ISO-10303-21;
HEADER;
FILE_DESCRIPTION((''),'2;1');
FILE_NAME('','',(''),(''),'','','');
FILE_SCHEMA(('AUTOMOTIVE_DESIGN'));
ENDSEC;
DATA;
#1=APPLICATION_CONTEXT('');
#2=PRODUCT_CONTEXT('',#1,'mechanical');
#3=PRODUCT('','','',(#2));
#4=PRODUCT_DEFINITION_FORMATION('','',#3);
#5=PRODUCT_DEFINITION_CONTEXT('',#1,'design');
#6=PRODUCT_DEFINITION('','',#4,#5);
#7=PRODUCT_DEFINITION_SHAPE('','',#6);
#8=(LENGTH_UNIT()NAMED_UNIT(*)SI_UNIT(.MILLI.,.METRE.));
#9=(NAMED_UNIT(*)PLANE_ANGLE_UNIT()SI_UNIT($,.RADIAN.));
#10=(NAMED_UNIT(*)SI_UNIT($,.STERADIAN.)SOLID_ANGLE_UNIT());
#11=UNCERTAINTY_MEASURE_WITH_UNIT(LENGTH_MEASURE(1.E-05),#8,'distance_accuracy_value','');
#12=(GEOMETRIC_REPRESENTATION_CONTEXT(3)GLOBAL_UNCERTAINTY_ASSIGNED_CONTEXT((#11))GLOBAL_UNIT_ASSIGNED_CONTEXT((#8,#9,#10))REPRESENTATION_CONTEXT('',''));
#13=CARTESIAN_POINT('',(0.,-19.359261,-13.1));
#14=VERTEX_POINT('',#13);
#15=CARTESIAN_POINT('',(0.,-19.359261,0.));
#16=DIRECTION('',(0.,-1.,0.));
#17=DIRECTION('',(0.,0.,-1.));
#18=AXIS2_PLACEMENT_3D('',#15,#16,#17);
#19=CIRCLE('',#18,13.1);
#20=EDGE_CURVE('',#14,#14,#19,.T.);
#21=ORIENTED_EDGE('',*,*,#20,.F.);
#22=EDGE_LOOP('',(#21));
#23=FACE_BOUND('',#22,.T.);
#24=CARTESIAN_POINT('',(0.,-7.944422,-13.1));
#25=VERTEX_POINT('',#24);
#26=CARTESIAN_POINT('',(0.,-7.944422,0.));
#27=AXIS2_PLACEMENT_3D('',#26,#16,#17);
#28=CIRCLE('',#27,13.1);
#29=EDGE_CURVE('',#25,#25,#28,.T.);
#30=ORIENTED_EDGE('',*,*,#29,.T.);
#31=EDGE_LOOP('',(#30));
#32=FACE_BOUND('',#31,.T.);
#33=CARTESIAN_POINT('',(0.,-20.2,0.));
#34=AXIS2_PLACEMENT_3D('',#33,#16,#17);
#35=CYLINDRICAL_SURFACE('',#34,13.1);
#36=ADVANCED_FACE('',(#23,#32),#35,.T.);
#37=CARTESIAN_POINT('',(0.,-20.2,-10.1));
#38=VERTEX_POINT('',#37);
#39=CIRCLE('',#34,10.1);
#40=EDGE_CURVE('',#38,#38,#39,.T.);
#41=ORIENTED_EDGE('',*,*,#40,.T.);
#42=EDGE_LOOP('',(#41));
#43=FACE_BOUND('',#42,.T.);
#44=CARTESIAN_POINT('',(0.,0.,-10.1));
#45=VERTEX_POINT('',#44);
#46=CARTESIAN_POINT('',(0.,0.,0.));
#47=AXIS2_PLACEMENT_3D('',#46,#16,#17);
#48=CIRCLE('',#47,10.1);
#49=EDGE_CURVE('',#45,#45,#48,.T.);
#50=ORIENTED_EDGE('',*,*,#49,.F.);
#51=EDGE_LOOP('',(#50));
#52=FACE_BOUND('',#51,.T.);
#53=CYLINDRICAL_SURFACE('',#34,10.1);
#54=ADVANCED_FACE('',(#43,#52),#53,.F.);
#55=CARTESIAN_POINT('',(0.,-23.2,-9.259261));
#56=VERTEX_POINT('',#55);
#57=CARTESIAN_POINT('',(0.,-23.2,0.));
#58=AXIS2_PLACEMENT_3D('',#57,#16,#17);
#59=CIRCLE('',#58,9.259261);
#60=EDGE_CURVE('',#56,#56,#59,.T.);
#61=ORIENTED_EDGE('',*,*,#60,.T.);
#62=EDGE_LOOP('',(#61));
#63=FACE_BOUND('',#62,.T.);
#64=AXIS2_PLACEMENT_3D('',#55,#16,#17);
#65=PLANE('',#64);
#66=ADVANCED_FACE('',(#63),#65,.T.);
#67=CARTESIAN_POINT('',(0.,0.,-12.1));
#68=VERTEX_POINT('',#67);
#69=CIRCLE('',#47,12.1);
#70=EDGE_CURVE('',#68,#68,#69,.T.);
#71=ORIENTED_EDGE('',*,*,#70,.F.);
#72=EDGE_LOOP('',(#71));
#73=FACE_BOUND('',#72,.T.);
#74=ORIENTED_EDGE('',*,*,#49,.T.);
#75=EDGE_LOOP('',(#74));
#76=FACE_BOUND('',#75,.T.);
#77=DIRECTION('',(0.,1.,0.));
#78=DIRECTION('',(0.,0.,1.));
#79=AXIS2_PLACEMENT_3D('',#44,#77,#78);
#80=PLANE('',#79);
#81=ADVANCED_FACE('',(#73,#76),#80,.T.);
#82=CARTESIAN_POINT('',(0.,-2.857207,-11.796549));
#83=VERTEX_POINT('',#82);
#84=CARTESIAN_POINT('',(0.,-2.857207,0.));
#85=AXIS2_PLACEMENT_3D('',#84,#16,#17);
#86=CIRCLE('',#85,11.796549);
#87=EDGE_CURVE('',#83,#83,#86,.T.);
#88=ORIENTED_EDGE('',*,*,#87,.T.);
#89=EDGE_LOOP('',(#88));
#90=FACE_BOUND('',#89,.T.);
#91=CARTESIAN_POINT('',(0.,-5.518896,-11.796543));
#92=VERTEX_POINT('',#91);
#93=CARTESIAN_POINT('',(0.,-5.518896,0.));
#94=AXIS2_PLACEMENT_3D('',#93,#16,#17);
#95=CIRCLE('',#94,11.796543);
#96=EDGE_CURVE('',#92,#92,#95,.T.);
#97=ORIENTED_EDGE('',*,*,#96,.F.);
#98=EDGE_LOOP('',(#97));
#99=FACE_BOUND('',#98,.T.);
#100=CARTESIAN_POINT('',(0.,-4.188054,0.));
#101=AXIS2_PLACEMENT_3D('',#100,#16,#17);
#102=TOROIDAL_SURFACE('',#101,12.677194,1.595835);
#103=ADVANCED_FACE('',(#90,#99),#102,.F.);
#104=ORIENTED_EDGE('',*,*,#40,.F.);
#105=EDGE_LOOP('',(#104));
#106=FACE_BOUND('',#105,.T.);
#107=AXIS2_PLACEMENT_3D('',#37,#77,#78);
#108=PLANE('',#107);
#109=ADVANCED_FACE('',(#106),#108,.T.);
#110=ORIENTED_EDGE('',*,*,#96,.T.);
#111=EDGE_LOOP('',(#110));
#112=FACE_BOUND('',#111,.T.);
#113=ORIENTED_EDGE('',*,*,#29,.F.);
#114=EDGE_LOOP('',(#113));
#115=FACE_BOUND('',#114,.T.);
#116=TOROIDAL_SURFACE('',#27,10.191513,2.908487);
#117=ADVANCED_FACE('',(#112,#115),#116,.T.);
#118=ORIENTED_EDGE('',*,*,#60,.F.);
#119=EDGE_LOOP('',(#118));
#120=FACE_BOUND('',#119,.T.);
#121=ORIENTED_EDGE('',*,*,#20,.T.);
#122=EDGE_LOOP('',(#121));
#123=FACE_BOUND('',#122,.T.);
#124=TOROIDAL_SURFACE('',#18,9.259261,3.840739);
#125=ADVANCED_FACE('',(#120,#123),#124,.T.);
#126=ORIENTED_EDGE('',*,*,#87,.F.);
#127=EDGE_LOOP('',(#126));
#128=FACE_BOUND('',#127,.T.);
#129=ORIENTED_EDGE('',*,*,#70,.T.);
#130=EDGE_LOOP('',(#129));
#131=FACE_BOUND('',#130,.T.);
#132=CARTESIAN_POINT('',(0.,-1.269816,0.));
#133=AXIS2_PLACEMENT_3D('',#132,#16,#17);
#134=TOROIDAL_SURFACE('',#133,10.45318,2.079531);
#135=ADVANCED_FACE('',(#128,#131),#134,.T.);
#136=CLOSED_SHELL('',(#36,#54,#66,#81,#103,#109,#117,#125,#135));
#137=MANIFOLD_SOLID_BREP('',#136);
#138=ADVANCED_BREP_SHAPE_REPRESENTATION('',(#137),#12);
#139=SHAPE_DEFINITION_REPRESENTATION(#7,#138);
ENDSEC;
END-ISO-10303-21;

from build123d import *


with BuildPart() as part:
    # 스케치2 → 회전1 (revolve)
    with BuildSketch(Plane(origin=(0, 0, 0), x_dir=(0, 0, -1), z_dir=(1, 0, 0))):
        with BuildLine():
            Line((10.1, 0), (12.1, 0))
            ThreePointArc((12.1, 0), (12.521081242, -1.48943877), (11.796548935, -2.857207098))
            ThreePointArc((11.796548935, -2.857207098), (11.081359136, -4.188050052), (11.796542721, -5.518896345))
            ThreePointArc((11.796542721, -5.518896345), (12.753495116, -6.567634704), (13.1, -7.944422413))
            Line((13.1, -7.944422413), (13.1, -19.359260843))
            ThreePointArc((13.1, -19.359260843), (11.975073546, -22.075073546), (9.259260843, -23.2))
            Line((9.259260843, -23.2), (0, -23.2))
            Line((0, -23.2), (0, -20.2))
            Line((0, -20.2), (10.1, -20.2))
            Line((10.1, -20.2), (10.1, 0))
        make_face()
    revolve(axis=Axis((0, -20.2, 0), (0, 1, 0)))


solid = part.part
